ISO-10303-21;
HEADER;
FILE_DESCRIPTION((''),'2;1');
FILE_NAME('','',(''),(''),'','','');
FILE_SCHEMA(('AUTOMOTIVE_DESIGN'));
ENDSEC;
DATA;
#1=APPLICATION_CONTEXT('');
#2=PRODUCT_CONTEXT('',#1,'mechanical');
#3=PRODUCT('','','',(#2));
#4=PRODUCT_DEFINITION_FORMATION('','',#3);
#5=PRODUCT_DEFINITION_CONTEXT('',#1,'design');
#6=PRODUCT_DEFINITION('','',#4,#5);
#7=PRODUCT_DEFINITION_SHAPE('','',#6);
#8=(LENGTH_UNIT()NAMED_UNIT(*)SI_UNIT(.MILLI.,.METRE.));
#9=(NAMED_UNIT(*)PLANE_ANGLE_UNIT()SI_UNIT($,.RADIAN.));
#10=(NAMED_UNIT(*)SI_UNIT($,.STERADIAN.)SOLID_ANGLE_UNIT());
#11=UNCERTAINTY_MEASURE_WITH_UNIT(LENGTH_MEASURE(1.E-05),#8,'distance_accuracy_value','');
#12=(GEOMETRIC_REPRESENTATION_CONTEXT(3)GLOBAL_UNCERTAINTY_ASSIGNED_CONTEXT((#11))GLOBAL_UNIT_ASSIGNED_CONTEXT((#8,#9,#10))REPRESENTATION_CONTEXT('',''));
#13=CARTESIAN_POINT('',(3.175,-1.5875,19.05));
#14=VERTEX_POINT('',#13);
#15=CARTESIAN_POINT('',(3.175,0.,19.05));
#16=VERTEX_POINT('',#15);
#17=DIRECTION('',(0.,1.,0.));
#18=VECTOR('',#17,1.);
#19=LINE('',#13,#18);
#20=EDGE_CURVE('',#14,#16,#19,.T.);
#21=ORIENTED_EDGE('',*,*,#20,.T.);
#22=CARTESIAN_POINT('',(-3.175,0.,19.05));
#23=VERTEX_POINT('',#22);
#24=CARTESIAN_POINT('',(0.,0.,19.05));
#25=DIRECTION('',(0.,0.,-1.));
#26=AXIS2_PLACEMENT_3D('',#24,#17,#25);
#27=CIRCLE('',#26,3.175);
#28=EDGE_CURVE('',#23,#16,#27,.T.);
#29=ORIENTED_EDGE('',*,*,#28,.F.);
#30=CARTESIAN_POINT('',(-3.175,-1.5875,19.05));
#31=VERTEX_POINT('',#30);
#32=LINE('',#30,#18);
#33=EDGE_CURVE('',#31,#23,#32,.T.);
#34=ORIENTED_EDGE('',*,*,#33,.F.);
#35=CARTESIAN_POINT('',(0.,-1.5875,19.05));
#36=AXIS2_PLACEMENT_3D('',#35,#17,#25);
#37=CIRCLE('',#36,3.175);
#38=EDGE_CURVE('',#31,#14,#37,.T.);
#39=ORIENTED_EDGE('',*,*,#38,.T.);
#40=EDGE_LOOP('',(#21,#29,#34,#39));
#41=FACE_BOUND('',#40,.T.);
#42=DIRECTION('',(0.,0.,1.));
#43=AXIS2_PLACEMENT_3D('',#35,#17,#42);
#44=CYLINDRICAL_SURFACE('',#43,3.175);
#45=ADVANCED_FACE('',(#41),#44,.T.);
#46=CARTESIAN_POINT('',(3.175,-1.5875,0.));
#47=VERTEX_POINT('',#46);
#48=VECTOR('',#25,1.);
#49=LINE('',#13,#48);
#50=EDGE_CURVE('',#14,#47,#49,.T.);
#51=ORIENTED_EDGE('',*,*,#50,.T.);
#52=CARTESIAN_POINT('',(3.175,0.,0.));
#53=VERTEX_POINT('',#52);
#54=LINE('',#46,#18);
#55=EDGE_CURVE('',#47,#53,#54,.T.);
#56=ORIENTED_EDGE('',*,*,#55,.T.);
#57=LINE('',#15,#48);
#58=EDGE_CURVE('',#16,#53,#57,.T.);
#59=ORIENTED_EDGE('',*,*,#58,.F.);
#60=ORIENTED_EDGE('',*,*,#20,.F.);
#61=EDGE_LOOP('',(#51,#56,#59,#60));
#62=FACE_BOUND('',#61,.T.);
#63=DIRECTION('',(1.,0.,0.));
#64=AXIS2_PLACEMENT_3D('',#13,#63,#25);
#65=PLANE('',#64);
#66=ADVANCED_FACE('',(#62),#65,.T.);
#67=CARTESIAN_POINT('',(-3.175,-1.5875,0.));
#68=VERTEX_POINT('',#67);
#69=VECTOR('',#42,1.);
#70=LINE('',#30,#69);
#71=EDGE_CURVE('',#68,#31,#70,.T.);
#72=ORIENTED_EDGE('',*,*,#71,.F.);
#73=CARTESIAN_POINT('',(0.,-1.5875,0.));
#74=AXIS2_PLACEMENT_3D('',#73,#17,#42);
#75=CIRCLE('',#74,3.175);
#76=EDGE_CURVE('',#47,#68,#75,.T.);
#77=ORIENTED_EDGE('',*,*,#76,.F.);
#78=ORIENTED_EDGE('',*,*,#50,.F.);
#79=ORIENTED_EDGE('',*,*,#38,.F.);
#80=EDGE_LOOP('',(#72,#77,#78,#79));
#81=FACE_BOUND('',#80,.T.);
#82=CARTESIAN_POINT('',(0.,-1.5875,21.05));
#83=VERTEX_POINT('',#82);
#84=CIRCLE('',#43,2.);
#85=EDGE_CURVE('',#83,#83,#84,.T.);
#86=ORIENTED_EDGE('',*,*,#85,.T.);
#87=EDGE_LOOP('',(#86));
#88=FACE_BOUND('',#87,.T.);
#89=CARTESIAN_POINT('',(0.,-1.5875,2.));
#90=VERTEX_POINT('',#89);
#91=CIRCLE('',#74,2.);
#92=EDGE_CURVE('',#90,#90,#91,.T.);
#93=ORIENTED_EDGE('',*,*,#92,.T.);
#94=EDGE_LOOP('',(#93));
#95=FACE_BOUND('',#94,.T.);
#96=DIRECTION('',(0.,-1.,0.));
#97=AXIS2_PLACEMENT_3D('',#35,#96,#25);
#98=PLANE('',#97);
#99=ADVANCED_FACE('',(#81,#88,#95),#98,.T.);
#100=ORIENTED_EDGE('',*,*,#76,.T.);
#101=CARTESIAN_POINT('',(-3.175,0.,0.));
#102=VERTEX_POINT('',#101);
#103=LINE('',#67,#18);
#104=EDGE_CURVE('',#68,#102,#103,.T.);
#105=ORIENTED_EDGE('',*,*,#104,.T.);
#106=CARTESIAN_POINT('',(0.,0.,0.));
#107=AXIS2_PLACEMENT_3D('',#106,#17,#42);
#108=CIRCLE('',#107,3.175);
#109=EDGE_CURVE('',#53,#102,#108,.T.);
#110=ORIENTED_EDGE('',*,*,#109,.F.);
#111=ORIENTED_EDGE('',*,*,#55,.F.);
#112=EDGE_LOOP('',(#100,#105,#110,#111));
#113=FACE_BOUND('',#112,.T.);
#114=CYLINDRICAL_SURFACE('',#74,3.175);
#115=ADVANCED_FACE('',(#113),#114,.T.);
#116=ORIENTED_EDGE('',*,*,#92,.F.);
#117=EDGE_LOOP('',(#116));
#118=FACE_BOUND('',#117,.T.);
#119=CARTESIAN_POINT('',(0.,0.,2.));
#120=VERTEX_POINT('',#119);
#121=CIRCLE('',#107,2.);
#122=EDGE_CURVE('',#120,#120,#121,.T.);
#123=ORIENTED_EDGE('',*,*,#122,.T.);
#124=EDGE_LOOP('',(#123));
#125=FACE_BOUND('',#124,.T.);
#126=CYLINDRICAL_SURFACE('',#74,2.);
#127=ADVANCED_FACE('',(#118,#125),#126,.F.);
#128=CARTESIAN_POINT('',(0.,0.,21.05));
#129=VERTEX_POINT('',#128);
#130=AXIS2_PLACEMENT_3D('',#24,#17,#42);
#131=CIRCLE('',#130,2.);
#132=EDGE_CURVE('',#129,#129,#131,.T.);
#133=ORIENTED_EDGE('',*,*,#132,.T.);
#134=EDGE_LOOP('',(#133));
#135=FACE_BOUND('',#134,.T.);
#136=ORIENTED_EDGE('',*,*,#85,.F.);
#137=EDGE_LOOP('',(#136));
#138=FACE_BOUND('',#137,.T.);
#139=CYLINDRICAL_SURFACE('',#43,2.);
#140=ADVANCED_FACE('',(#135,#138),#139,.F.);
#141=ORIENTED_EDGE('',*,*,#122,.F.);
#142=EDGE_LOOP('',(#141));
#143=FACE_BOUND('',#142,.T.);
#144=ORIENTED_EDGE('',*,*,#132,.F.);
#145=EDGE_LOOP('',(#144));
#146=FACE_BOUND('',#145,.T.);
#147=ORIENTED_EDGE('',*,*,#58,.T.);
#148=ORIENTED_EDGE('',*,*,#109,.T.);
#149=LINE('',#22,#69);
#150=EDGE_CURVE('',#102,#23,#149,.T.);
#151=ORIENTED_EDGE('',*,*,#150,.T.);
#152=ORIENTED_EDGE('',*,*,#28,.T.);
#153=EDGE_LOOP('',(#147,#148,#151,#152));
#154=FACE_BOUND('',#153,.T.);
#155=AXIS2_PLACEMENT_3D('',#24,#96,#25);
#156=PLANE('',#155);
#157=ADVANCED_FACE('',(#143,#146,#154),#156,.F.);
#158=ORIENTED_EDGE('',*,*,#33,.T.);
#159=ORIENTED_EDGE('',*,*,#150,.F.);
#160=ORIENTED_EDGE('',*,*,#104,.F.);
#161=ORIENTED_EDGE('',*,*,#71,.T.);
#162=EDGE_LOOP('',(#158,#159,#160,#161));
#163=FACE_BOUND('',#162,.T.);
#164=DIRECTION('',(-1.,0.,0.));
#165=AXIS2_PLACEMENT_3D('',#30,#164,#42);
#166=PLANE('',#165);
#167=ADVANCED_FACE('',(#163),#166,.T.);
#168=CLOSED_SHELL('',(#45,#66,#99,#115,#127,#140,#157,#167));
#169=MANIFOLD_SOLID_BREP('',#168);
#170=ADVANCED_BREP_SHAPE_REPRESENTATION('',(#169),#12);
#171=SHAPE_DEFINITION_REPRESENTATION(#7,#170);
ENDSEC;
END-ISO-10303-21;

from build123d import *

# Parameters (mm, degrees)
SKETCH1_R           = 2
BOSS_EXTRUDE1_DEPTH = 1.5875


with BuildPart() as part:
    # Sketch1 → Boss-Extrude1 (new body)
    with BuildSketch(Plane(origin=(0, 0, 0), x_dir=(1, 0, 0), z_dir=(0, 1, 0))):
        with BuildLine():
            Line((3.175, -19.05), (3.175, 0))
            ThreePointArc((3.175, 0), (0, 3.175), (-3.175, 0))
            Line((-3.175, 0), (-3.175, -19.05))
            ThreePointArc((-3.175, -19.05), (0, -22.225), (3.175, -19.05))
        make_face()
        with Locations(Location((0, 0, 0), (0, 0, 270))):
            Circle(SKETCH1_R, mode=Mode.SUBTRACT)
        with Locations(Location((0, -19.05, 0), (0, 0, 270))):
            Circle(SKETCH1_R, mode=Mode.SUBTRACT)
    extrude(amount=-BOSS_EXTRUDE1_DEPTH)


solid = part.part
